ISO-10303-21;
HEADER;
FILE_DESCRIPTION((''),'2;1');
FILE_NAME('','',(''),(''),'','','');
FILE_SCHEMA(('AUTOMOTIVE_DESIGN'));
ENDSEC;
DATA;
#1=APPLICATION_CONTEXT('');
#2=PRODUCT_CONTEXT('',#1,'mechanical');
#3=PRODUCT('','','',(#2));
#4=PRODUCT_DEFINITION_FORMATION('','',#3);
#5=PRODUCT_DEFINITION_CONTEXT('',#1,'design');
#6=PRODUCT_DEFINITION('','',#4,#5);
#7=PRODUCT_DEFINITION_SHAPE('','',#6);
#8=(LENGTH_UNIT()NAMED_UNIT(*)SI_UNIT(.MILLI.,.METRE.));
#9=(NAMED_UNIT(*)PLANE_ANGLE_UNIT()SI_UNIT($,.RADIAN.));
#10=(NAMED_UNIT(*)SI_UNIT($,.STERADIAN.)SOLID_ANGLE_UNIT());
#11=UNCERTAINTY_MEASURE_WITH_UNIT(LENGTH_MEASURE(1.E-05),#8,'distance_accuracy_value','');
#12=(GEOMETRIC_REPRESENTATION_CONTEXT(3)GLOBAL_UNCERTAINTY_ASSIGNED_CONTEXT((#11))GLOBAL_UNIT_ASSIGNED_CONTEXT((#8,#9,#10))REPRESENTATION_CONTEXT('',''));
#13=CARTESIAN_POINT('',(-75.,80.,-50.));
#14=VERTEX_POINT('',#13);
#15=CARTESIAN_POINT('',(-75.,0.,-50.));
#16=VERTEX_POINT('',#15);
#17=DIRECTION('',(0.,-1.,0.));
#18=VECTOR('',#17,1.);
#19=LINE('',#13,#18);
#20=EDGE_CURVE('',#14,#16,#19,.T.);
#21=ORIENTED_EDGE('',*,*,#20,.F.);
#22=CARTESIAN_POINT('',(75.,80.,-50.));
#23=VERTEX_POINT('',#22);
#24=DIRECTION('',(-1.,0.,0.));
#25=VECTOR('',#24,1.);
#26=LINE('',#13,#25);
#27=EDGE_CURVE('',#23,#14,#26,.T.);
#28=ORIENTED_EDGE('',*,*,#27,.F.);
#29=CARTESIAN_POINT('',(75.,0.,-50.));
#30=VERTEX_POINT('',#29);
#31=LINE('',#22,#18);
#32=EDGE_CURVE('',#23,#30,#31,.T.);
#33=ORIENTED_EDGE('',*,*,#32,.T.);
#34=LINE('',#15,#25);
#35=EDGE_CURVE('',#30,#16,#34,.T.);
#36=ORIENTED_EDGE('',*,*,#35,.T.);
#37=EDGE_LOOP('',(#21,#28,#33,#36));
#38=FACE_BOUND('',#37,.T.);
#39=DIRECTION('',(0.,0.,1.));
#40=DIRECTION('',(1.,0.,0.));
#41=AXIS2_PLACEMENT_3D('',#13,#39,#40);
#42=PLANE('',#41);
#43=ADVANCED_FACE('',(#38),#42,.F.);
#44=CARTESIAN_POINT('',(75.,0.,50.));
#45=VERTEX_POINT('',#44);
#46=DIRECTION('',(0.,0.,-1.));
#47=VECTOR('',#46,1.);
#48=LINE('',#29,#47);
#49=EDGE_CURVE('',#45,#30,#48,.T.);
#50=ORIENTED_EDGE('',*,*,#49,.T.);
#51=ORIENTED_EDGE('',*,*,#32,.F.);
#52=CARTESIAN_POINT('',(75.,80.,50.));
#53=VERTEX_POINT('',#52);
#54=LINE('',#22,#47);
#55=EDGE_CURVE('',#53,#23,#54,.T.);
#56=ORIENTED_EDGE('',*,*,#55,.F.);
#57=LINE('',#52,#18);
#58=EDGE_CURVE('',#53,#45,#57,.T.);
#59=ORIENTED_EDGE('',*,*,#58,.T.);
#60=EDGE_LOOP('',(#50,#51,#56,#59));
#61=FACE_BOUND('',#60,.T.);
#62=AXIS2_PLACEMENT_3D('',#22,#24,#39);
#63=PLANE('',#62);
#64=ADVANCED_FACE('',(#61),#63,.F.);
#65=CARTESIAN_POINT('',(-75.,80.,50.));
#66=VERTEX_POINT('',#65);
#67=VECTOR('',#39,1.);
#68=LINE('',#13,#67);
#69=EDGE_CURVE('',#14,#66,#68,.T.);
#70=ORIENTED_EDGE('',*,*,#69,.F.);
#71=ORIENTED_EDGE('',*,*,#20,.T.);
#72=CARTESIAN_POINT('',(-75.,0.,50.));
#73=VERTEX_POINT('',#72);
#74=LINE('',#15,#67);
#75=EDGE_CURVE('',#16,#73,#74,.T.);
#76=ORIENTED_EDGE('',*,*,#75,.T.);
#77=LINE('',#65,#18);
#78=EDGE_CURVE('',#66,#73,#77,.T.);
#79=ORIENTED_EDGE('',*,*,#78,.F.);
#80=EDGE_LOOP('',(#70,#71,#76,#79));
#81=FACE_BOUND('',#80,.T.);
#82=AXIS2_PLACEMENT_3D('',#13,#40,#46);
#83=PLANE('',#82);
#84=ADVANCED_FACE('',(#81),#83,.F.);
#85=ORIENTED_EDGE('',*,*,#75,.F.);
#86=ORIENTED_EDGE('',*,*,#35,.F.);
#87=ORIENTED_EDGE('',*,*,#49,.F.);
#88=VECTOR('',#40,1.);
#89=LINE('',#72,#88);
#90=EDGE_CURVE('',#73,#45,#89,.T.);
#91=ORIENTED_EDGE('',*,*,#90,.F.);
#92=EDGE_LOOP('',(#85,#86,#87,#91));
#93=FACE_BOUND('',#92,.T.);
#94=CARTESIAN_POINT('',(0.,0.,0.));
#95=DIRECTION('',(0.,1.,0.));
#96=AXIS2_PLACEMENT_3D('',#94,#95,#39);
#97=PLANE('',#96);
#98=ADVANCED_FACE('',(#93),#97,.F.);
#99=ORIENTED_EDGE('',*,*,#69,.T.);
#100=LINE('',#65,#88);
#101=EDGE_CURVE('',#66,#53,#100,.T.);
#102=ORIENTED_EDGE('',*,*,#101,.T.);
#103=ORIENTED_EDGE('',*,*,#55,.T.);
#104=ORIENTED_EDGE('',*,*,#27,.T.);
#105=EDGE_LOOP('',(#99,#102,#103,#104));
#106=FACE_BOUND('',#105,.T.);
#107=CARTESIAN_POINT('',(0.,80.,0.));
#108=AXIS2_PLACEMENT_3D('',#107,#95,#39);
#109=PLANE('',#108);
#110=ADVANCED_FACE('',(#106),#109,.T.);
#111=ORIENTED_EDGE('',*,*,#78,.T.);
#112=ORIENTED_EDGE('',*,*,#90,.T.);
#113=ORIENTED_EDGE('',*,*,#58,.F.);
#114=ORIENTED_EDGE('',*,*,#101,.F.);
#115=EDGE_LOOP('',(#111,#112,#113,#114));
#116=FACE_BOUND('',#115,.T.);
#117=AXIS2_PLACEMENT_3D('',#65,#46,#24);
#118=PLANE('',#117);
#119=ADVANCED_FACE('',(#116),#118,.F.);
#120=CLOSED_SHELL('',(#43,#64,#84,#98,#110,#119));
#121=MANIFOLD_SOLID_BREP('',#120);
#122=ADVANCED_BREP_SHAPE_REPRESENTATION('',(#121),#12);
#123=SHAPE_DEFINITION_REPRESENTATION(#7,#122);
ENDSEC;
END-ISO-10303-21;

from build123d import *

# Parameters (mm, degrees)
SKETCH_1_W      = 150
SKETCH_1_H      = 100
EXTRUDE_1_DEPTH = 80


with BuildPart() as part:
    # 草图1 → 凸台-拉伸1 (new body)
    with BuildSketch(Plane(origin=(0, 0, 0), x_dir=(1, 0, 0), z_dir=(0, 1, 0))):
        Rectangle(SKETCH_1_W, SKETCH_1_H)
    extrude(amount=EXTRUDE_1_DEPTH)


solid = part.part
